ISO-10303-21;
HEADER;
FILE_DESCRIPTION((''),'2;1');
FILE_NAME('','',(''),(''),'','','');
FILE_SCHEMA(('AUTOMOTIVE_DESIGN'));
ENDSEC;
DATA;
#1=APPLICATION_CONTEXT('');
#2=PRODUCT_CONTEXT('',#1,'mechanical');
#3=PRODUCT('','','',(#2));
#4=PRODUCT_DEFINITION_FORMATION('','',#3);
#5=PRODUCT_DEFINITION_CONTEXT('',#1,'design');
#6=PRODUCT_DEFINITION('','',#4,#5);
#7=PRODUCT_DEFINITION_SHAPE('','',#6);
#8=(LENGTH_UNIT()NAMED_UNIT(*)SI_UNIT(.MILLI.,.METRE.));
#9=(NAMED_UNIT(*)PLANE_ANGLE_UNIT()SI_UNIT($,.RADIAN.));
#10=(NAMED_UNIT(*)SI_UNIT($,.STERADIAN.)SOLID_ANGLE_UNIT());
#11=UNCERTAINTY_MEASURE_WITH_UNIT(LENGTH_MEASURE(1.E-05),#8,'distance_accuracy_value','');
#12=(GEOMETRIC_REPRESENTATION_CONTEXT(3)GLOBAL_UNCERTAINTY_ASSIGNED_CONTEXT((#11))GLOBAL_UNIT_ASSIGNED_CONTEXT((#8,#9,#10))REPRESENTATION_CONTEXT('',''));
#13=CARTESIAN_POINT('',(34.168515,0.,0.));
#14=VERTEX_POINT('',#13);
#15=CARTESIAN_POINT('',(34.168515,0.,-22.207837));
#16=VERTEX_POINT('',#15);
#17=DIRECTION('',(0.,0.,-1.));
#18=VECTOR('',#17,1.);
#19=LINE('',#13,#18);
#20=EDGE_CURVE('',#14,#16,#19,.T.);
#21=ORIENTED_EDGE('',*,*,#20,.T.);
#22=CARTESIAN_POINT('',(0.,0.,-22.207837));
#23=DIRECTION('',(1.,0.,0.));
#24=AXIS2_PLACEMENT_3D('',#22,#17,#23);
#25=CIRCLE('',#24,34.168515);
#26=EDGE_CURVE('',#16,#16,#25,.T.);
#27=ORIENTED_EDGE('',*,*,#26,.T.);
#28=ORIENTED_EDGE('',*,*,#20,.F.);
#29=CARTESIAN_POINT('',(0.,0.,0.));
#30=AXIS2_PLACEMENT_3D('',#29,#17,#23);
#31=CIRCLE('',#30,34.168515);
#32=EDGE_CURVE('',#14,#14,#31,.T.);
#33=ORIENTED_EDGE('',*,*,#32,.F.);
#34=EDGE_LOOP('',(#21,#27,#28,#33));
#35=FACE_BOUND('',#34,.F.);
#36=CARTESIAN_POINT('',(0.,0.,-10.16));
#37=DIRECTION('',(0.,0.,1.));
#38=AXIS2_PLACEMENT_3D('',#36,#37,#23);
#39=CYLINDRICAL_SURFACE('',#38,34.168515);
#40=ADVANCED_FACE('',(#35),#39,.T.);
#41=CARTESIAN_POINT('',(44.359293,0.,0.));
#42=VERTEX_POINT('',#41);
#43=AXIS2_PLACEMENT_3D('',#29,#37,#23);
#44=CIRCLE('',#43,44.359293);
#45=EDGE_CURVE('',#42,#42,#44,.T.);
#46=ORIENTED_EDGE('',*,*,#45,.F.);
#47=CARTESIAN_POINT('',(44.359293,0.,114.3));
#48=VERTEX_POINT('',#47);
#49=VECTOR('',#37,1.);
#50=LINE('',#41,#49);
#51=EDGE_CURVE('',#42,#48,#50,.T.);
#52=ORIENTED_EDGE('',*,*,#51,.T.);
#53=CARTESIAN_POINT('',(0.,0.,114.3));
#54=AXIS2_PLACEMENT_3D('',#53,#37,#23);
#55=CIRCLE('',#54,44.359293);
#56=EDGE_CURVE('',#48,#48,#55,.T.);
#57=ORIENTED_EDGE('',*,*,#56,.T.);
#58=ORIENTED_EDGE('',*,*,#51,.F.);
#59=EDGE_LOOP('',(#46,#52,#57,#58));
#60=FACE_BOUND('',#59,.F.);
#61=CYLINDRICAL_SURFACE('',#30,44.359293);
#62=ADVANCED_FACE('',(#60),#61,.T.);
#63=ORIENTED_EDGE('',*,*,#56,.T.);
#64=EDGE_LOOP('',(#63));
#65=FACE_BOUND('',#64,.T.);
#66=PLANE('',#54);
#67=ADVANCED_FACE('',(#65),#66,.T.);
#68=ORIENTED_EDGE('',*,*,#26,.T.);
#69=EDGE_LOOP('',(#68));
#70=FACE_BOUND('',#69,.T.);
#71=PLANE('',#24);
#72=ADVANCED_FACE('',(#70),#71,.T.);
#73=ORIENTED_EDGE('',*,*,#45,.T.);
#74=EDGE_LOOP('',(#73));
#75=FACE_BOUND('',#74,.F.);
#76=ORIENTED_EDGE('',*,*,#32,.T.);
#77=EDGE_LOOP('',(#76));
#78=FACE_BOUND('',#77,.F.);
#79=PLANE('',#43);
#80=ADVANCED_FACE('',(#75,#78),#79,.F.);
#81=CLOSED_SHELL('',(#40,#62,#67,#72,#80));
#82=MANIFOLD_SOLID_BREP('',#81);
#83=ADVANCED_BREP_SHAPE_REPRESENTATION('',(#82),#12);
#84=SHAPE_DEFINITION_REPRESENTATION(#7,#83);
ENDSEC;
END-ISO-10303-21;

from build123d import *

# Parameters (mm, degrees)
F0_R     = 44.359293
F1_DEPTH = 114.3
F2_R     = 34.168515
F3_DEPTH = 10.16
F4_R     = 34.168515
F5_DEPTH = 12.047837


with BuildPart() as f1:
    # F0 (on Top) → F1 (new body)
    with BuildSketch(Plane.XY):
        Circle(F0_R)
    extrude(amount=F1_DEPTH)

    # F2 (on face) → F3 (join)
    with BuildSketch(Plane(origin=(0, 0, 0), x_dir=(1, 0, 0), z_dir=(0, 0, -1))):
        Circle(F2_R)
    extrude(amount=F3_DEPTH)

    # F4 (on face) → F5 (join)
    with BuildSketch(Plane(origin=(0, 0, -10.16), x_dir=(1, 0, 0), z_dir=(0, 0, -1))):
        Circle(F4_R)
    extrude(amount=F5_DEPTH)


solid = f1.part
